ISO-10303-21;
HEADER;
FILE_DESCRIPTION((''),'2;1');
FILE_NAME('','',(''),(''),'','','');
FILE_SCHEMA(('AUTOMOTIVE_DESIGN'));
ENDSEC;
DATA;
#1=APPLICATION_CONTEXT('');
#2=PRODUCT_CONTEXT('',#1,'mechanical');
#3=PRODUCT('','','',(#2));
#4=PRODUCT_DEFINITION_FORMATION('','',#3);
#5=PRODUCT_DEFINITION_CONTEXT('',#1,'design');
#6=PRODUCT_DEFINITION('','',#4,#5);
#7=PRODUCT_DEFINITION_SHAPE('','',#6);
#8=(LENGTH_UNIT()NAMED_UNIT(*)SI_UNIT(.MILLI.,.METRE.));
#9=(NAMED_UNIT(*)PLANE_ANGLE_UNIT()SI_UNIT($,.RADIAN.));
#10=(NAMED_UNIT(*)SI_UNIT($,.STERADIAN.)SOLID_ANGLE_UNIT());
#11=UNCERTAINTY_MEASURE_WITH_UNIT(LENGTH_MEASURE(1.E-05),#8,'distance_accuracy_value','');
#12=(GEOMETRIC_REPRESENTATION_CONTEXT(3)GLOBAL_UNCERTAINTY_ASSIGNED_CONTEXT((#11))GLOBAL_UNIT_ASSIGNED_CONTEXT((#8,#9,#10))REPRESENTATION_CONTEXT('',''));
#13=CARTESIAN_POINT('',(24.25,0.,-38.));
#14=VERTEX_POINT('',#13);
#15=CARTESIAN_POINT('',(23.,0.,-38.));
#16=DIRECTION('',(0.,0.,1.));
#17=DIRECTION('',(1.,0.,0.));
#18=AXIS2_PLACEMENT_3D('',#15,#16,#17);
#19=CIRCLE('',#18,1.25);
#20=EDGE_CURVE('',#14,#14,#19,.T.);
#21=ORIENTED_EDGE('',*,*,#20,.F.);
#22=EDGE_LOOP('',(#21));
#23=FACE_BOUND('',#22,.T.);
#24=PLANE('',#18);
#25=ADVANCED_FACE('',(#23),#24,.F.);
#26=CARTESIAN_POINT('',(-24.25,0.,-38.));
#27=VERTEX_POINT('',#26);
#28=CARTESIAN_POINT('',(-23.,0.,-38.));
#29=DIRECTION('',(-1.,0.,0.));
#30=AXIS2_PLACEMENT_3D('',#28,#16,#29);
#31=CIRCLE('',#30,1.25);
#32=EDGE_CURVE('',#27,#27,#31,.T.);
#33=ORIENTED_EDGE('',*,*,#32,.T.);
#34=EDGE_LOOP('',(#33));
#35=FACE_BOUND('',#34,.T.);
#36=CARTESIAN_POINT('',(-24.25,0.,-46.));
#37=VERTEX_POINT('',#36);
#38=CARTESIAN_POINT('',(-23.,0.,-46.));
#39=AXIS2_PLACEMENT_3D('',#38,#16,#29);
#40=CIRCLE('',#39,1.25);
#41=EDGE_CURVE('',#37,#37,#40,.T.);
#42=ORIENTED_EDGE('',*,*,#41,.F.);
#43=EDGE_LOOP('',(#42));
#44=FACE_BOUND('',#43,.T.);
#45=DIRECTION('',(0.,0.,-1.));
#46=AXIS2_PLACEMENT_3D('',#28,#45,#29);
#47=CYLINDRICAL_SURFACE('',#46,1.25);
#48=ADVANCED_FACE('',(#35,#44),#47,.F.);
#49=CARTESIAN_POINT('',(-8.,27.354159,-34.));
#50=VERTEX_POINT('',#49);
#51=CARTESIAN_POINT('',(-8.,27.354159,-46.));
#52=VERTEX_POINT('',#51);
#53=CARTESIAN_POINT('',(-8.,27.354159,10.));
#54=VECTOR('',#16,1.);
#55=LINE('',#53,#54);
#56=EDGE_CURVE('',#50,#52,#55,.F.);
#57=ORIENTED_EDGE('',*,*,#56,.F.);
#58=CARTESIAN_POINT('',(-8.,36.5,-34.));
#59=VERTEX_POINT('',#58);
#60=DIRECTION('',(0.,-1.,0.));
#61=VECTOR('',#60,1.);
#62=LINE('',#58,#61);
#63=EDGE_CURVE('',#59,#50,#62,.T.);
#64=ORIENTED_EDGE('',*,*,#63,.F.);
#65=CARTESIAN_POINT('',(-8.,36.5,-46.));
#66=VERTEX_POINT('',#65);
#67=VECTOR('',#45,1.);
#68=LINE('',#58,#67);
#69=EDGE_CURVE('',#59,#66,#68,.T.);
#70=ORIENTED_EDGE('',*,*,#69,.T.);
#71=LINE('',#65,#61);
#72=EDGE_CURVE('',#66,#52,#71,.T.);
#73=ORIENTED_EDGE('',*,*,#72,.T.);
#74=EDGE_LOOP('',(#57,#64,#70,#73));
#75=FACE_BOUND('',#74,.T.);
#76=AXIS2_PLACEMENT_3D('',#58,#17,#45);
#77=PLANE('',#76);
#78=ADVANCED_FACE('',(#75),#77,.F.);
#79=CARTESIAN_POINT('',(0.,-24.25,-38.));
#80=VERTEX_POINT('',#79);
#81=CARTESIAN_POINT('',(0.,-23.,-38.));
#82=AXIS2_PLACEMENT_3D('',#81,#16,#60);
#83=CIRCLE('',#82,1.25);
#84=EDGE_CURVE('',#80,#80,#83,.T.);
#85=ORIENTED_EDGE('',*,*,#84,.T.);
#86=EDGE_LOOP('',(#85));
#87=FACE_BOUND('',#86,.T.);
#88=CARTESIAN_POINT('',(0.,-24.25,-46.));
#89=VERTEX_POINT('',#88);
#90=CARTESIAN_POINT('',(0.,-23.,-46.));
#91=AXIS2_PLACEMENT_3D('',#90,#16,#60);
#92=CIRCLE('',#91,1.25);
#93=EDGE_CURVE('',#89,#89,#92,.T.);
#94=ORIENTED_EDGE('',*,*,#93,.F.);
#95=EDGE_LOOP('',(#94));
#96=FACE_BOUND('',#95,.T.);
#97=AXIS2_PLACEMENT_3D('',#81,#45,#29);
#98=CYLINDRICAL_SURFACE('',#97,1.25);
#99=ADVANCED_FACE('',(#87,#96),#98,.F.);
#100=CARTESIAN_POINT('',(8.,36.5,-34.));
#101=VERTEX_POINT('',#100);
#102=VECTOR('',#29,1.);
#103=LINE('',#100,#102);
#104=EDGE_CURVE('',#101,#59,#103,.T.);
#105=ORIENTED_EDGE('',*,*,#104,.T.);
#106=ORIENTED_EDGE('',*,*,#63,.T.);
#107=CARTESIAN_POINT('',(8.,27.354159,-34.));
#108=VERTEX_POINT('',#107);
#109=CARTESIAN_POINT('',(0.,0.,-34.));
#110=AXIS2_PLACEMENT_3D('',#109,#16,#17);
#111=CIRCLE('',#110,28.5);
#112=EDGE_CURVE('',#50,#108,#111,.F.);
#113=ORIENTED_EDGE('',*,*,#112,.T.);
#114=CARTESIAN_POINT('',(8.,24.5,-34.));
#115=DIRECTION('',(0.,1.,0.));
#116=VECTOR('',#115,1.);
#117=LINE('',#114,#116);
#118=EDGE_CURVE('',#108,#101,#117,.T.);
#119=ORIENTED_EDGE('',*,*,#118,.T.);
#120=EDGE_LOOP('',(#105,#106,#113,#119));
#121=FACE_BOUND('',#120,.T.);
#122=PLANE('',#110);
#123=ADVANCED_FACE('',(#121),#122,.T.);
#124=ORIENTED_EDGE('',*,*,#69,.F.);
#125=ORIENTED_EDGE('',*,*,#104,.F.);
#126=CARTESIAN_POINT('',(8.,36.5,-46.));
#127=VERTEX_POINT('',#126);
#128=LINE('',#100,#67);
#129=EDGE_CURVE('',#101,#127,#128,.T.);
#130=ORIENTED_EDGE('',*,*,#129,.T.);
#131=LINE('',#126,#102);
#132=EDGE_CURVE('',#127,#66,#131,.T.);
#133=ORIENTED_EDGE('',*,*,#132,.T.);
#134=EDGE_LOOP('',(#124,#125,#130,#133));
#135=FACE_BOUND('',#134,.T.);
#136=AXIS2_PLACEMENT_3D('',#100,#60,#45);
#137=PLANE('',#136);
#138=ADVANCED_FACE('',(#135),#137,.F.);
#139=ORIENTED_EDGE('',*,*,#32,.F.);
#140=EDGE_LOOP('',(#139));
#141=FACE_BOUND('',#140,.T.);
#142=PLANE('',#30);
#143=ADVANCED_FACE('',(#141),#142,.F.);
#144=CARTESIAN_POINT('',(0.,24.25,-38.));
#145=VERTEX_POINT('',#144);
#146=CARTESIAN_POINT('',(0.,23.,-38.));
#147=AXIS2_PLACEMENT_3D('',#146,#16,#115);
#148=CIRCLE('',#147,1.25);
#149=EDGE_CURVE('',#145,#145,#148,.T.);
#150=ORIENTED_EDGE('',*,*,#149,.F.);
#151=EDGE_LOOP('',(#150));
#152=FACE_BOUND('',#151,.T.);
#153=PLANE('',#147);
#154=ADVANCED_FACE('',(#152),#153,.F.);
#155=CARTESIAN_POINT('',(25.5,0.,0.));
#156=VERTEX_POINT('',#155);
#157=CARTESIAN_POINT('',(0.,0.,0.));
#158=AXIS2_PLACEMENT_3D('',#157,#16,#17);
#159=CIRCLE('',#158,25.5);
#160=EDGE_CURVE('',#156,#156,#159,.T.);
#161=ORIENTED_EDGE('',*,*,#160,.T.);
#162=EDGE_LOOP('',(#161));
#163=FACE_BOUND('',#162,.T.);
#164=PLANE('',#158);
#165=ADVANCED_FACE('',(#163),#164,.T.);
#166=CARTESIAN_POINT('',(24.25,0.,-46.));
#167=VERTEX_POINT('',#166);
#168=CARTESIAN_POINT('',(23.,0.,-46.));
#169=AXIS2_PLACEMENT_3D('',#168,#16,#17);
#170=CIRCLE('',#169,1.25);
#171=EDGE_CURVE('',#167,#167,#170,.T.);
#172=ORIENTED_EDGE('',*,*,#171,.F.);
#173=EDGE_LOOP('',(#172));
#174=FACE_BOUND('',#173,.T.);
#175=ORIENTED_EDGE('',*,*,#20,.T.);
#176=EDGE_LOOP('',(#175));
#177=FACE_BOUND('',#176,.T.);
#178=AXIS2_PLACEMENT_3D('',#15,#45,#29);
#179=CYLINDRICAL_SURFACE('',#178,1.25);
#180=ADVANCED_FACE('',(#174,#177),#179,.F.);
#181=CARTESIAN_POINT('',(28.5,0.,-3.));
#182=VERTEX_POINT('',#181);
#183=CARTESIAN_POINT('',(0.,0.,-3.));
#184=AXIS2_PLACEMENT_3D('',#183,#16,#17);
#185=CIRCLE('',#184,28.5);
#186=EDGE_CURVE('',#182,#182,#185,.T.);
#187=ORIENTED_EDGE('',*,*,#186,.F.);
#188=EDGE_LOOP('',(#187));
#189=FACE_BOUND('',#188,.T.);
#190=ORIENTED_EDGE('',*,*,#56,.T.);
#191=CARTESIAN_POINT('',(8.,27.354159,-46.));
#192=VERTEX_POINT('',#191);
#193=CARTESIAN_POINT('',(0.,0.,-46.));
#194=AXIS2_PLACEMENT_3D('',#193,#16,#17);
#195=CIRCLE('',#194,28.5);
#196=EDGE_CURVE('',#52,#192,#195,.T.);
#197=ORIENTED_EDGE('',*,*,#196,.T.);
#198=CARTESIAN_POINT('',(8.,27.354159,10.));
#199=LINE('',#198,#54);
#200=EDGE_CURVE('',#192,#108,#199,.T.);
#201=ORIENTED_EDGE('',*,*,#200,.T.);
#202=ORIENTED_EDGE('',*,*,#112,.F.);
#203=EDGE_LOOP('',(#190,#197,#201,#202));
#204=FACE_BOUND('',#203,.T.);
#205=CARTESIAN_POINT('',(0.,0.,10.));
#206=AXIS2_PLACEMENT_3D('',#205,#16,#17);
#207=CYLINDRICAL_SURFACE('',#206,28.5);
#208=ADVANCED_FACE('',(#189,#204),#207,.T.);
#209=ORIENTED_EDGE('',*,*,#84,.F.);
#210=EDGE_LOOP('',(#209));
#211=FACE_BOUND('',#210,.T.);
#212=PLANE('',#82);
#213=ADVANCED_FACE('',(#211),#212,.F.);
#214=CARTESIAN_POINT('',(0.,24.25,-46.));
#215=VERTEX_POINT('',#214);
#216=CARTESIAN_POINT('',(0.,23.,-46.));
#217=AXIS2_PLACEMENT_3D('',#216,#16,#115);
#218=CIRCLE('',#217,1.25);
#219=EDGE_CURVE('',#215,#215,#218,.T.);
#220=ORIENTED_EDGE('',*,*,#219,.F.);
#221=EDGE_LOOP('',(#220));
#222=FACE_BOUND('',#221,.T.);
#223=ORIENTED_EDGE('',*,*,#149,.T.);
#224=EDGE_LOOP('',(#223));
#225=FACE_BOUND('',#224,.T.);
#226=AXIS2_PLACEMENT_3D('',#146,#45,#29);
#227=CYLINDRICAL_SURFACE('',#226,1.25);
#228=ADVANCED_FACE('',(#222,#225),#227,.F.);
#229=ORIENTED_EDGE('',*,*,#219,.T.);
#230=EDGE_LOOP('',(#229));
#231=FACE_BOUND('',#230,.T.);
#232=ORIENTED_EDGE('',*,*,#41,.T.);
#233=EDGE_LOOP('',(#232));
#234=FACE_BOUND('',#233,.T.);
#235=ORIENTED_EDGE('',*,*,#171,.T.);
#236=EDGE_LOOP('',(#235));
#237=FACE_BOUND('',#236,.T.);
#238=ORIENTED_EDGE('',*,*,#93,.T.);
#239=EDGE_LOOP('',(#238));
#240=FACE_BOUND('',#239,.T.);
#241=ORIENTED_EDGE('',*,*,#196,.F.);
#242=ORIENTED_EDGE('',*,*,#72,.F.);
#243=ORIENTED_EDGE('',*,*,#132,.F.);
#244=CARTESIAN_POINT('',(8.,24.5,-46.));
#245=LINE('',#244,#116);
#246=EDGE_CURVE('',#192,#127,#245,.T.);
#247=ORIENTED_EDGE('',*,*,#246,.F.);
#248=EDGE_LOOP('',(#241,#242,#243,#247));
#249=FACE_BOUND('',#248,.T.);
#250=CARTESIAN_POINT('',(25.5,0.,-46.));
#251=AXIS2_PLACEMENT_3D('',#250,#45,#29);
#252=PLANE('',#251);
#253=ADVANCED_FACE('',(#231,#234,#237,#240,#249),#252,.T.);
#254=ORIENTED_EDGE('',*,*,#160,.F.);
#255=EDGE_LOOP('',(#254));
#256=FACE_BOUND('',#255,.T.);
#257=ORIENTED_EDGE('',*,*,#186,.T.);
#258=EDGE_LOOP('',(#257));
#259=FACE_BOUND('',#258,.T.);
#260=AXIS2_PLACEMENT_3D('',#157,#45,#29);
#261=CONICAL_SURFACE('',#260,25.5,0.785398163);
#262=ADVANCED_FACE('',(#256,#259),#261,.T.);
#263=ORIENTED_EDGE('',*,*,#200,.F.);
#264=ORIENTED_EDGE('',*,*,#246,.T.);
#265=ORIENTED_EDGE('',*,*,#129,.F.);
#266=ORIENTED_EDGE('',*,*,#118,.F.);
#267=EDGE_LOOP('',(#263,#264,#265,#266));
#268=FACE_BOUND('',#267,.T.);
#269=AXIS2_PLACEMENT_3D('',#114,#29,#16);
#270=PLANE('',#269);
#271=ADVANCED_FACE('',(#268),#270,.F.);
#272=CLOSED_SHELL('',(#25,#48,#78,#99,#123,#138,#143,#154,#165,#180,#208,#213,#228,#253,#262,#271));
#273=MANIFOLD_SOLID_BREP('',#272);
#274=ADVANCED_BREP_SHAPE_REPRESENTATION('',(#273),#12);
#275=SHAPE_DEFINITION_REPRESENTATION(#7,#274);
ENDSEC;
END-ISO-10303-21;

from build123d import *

# Parameters (mm, degrees)
SK_REARHOLE_R           = 1.25
REAR_TAPPED_HOLE_DEPTH  = 8
REAR_HOLE_PATTERN_COUNT = 4
SK_CONNECTOR_W          = 16
SK_CONNECTOR_H          = 12
CONNECTOR_ZONE_DEPTH    = 12


with BuildPart() as part:
    # SK_Body → Housing_Body (revolve)
    with BuildSketch(Plane(origin=(0, 0, 0), x_dir=(1, 0, 0), z_dir=(0, 1, 0))):
        Polygon((0, 0), (25.5, 0), (28.5, 3), (28.5, 46), (25.5, 46), (0, 46), align=None)
    revolve(axis=Axis((0, 0, 10), (0, 0, -1)))

    # SK_RearHole → Rear_Tapped_Hole (cut)
    with BuildSketch(Plane.XY.offset(-46)):
        with Locations((23, 0)):
            Circle(SK_REARHOLE_R)
    rear_tapped_hole = extrude(amount=REAR_TAPPED_HOLE_DEPTH, mode=Mode.SUBTRACT)

    # Rear_Hole_Pattern: Rear_Tapped_Hole ×4 about axis
    rear_hole_pattern_axis = Axis((0, 0, -48.3), (0, 0, 1))
    for i in range(1, REAR_HOLE_PATTERN_COUNT):
        add(rear_tapped_hole.rotate(rear_hole_pattern_axis, i * 360 / REAR_HOLE_PATTERN_COUNT), mode=Mode.SUBTRACT)

    # SK_Connector → Connector_Zone (add)
    with BuildSketch(Plane.XY.offset(-46)):
        with Locations((0, 30.5)):
            Rectangle(SK_CONNECTOR_W, SK_CONNECTOR_H)
    extrude(amount=CONNECTOR_ZONE_DEPTH)


solid = part.part
